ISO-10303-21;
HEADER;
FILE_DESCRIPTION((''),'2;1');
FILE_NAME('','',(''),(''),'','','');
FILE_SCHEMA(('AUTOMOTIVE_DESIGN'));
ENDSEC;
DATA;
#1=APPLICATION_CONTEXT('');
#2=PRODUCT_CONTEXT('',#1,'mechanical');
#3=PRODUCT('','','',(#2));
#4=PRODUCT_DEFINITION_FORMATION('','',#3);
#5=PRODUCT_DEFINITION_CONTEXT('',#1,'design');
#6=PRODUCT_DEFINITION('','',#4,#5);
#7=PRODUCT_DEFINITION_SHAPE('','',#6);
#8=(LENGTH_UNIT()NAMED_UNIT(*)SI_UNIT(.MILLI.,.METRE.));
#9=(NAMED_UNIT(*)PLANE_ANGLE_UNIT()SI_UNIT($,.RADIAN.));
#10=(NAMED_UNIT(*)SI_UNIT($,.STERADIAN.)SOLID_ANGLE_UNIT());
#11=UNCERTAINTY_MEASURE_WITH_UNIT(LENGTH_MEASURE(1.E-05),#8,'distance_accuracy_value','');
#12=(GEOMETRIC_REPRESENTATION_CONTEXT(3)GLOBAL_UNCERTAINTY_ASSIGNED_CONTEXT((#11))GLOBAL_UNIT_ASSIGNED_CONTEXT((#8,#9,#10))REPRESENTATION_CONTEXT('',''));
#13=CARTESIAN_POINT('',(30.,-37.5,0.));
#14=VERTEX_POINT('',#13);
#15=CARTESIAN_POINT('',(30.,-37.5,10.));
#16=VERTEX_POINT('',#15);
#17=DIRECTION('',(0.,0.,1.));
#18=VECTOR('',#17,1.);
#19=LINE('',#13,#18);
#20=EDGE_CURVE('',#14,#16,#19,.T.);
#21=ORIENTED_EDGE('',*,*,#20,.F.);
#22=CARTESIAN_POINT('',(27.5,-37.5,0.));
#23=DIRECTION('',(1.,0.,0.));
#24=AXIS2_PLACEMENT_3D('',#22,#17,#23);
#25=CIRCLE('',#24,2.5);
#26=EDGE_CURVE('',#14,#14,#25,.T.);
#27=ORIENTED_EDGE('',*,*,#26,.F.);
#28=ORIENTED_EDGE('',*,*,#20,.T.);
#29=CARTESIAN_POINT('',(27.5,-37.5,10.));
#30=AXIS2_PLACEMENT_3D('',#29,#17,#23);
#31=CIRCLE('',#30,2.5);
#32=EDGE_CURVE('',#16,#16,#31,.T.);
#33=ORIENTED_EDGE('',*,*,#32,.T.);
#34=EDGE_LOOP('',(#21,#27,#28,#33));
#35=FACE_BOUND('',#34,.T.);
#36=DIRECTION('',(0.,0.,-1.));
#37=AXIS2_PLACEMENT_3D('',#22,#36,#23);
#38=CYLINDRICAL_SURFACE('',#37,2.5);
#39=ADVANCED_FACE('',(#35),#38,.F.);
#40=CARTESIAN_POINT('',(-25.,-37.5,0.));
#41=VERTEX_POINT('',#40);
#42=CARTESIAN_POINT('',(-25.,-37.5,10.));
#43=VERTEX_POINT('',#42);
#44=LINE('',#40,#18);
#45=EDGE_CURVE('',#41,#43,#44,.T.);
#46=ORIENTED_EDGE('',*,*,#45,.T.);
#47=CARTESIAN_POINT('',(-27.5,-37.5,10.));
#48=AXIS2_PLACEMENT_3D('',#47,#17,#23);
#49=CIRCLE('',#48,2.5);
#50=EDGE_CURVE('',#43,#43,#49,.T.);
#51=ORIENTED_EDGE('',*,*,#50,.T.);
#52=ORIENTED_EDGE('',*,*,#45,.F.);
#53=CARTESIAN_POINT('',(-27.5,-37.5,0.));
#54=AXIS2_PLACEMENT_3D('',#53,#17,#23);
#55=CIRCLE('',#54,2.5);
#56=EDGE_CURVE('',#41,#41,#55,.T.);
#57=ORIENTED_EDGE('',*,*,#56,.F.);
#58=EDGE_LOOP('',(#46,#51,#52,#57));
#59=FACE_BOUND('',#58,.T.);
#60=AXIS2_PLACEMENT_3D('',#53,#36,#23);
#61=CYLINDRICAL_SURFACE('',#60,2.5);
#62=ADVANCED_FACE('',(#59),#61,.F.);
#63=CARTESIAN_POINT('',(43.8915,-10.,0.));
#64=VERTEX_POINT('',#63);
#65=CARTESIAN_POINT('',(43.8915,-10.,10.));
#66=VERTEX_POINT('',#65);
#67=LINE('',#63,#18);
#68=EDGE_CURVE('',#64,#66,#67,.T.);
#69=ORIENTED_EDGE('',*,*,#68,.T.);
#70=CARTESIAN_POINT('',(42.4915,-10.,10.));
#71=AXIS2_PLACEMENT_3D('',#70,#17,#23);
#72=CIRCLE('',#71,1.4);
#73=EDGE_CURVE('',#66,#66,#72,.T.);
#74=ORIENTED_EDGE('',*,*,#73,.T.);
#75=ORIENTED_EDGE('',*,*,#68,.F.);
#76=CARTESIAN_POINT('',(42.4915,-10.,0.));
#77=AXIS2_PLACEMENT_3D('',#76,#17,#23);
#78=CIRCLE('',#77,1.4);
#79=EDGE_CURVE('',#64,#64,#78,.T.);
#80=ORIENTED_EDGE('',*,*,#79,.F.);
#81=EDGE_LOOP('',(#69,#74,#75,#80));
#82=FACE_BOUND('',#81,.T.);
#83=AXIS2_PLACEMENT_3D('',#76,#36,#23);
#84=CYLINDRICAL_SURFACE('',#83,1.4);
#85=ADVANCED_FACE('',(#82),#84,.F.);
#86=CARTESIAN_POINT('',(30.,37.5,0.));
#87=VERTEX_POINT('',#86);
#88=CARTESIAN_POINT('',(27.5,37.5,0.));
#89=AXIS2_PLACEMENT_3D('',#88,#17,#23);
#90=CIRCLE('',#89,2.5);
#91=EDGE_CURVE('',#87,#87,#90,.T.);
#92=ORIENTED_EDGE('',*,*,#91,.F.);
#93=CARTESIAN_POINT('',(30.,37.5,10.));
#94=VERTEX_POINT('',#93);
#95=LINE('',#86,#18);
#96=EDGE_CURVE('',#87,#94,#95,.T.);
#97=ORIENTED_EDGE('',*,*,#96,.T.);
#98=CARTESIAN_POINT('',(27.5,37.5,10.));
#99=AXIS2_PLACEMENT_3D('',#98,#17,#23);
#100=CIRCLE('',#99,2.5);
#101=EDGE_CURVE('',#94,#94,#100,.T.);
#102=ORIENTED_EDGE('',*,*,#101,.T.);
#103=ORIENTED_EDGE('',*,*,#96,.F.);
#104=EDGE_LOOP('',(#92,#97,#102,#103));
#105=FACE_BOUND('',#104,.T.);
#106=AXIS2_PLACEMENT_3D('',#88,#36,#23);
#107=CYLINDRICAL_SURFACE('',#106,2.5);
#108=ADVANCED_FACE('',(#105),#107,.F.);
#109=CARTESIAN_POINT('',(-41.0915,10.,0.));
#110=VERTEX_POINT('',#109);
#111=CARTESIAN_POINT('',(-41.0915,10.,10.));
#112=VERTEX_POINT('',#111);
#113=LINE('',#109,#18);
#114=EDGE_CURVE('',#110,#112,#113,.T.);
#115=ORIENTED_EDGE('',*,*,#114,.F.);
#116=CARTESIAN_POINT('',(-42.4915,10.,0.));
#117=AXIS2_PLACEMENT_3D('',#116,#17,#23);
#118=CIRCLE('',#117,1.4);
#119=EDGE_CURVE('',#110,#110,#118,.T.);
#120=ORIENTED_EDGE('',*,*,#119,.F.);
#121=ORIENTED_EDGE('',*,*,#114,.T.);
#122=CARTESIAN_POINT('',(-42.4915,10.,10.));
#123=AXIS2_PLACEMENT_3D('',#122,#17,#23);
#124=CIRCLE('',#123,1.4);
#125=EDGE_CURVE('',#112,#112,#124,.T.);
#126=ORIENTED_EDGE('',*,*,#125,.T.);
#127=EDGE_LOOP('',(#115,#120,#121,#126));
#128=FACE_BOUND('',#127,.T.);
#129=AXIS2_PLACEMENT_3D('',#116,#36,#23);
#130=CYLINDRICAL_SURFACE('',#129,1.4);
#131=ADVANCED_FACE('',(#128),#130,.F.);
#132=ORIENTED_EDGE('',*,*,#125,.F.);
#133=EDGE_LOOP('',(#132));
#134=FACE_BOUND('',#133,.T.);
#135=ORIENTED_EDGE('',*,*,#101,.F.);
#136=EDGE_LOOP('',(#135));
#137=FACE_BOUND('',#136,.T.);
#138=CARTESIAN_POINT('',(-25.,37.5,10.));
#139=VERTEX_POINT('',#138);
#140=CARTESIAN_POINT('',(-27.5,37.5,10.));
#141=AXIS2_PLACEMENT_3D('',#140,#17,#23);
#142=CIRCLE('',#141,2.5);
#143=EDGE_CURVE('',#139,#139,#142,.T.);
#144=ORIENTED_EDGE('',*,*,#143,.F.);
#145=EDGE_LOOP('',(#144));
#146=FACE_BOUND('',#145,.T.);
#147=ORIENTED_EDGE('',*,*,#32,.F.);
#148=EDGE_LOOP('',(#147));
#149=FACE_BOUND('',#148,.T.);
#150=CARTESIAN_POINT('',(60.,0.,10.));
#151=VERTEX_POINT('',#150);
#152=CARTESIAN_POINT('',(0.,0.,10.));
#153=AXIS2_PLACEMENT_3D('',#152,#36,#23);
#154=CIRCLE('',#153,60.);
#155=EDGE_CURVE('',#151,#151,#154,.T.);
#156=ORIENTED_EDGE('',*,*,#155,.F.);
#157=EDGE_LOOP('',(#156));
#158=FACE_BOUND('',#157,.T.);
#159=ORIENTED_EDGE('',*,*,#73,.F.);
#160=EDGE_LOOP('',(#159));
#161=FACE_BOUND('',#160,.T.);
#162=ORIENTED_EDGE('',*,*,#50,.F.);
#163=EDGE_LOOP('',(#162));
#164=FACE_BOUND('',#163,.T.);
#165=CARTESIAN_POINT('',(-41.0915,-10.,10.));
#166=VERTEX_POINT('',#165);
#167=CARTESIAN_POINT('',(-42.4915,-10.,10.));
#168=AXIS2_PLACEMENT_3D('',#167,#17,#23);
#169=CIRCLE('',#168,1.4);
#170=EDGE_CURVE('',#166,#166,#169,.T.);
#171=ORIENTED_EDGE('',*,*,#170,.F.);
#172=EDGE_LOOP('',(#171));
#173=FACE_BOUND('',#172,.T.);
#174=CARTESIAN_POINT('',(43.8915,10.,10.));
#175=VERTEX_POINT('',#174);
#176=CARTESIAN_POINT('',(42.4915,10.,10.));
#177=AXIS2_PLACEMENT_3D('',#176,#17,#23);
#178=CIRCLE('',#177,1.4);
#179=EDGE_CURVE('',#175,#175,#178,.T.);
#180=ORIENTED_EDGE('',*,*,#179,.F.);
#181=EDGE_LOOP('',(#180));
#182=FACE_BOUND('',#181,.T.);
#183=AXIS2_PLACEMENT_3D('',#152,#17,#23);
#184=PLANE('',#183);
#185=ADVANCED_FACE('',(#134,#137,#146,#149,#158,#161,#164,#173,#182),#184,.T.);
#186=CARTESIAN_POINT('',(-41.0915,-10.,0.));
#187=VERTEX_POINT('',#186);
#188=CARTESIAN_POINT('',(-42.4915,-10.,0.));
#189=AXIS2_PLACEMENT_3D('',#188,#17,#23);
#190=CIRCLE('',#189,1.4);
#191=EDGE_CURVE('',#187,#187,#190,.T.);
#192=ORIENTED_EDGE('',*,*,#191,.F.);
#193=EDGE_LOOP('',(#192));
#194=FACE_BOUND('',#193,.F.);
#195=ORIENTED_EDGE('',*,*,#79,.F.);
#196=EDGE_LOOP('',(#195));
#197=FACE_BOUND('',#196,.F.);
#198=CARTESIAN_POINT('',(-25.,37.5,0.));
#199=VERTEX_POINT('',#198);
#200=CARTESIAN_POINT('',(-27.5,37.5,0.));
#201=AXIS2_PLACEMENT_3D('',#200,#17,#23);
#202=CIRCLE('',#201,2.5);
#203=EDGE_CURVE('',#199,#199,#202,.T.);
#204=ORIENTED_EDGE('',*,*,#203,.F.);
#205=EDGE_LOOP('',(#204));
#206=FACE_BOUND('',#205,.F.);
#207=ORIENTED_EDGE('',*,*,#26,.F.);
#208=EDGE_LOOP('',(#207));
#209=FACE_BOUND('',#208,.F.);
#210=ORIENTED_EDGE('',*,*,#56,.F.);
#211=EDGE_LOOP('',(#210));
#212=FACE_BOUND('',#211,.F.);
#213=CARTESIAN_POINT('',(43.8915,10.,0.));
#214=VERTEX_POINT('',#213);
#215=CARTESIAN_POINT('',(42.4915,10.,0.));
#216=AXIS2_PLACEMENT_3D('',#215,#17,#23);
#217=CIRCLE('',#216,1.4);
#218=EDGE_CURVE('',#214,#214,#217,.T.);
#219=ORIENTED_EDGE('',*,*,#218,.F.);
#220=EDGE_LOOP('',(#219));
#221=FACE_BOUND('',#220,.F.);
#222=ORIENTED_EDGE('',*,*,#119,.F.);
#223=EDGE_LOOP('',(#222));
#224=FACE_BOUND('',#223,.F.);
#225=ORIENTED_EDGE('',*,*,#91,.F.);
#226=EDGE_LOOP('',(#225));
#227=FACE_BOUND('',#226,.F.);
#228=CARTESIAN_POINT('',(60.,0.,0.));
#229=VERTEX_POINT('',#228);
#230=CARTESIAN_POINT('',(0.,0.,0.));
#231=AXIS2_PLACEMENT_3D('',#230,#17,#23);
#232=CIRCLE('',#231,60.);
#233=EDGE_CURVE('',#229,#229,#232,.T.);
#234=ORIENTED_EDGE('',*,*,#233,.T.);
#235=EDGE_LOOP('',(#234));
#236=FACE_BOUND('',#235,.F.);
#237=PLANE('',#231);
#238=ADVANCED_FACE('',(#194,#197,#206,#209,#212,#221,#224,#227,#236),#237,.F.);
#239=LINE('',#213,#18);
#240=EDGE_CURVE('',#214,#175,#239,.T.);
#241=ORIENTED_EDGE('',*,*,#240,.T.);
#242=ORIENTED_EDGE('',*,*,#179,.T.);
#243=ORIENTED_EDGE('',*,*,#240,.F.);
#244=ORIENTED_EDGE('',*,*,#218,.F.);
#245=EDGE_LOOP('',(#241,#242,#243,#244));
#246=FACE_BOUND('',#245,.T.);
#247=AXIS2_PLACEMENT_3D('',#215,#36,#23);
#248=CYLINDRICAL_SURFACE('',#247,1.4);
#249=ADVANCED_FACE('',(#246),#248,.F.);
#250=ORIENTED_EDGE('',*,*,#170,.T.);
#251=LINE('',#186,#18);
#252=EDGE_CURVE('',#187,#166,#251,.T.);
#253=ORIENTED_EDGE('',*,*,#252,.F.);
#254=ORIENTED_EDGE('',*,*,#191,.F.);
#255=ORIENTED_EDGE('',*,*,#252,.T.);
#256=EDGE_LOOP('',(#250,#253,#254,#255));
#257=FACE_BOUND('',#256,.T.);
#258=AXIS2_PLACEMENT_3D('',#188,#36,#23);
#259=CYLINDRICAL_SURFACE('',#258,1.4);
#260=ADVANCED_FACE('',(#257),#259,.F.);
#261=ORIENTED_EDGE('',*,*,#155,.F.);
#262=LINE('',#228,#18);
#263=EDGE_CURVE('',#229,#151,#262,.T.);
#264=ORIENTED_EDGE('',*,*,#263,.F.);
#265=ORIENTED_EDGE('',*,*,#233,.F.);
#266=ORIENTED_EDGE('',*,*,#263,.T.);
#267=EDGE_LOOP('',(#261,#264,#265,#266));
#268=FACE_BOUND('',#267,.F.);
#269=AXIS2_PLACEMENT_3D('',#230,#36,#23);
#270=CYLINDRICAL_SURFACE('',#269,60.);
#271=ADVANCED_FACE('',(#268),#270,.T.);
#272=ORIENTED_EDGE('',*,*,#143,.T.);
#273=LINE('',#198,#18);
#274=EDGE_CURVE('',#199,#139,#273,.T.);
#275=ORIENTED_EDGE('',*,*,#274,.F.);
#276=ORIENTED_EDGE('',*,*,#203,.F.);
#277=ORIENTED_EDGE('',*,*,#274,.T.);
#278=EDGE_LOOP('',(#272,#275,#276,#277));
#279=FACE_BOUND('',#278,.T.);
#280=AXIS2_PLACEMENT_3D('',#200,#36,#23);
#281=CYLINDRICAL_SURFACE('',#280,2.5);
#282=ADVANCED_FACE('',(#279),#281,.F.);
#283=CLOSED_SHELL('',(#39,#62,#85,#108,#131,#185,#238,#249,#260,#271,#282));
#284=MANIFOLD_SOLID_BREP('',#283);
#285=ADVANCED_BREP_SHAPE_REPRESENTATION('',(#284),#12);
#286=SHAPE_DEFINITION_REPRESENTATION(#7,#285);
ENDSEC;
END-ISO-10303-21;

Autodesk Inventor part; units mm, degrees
ref_plane "YZ Plane" through (0, 0, 0) normal (1, 0, 0) x (0, 1, 0)
ref_plane "XZ Plane" through (0, 0, 0) normal (0, 1, 0) x (-1, 0, 0)
ref_plane "XY Plane" through (0, 0, 0) normal (0, 0, 1) x (1, 0, 0)
sketch "Sketch1" plane through (0, 0, 0) normal (0, 0, 1) x (1, 0, 0)
  circle A0 centre (0, 0) radius 60
  line L0 (0, 11.7433) -> (0, -11.8444)
  line L1 (-60, 0) -> (60, 0)
  circle A1 centre (-42.4915, 10) radius 1.4
  circle A2 centre (-42.4915, -10) radius 1.4
  circle A3 centre (42.4915, 10) radius 1.4
  circle A4 centre (42.4915, -10) radius 1.4
  circle A5 centre (-27.5, 37.5) radius 2.5
  circle A6 centre (-27.5, -37.5) radius 2.5
  circle A7 centre (27.5, 37.5) radius 2.5
  circle A8 centre (27.5, -37.5) radius 2.5
  point P0 (0, -0.0505)
  dimension "d0" = 2.8
  dimension "d1" = 120
  dimension "d2" = 20
  dimension "d3" = 84.983
  dimension "d4" = 5
  dimension "d5" = 55
  dimension "d6" = 75
extrude "Extrusion1" add sketch "Sketch1" along normal blind 10
sketch "Sketch2" plane through (0, 0, 10) normal (0, 0, 1) x (1, 0, 0)
  point P0 (0, 0)
properties part number "TABAN base"
